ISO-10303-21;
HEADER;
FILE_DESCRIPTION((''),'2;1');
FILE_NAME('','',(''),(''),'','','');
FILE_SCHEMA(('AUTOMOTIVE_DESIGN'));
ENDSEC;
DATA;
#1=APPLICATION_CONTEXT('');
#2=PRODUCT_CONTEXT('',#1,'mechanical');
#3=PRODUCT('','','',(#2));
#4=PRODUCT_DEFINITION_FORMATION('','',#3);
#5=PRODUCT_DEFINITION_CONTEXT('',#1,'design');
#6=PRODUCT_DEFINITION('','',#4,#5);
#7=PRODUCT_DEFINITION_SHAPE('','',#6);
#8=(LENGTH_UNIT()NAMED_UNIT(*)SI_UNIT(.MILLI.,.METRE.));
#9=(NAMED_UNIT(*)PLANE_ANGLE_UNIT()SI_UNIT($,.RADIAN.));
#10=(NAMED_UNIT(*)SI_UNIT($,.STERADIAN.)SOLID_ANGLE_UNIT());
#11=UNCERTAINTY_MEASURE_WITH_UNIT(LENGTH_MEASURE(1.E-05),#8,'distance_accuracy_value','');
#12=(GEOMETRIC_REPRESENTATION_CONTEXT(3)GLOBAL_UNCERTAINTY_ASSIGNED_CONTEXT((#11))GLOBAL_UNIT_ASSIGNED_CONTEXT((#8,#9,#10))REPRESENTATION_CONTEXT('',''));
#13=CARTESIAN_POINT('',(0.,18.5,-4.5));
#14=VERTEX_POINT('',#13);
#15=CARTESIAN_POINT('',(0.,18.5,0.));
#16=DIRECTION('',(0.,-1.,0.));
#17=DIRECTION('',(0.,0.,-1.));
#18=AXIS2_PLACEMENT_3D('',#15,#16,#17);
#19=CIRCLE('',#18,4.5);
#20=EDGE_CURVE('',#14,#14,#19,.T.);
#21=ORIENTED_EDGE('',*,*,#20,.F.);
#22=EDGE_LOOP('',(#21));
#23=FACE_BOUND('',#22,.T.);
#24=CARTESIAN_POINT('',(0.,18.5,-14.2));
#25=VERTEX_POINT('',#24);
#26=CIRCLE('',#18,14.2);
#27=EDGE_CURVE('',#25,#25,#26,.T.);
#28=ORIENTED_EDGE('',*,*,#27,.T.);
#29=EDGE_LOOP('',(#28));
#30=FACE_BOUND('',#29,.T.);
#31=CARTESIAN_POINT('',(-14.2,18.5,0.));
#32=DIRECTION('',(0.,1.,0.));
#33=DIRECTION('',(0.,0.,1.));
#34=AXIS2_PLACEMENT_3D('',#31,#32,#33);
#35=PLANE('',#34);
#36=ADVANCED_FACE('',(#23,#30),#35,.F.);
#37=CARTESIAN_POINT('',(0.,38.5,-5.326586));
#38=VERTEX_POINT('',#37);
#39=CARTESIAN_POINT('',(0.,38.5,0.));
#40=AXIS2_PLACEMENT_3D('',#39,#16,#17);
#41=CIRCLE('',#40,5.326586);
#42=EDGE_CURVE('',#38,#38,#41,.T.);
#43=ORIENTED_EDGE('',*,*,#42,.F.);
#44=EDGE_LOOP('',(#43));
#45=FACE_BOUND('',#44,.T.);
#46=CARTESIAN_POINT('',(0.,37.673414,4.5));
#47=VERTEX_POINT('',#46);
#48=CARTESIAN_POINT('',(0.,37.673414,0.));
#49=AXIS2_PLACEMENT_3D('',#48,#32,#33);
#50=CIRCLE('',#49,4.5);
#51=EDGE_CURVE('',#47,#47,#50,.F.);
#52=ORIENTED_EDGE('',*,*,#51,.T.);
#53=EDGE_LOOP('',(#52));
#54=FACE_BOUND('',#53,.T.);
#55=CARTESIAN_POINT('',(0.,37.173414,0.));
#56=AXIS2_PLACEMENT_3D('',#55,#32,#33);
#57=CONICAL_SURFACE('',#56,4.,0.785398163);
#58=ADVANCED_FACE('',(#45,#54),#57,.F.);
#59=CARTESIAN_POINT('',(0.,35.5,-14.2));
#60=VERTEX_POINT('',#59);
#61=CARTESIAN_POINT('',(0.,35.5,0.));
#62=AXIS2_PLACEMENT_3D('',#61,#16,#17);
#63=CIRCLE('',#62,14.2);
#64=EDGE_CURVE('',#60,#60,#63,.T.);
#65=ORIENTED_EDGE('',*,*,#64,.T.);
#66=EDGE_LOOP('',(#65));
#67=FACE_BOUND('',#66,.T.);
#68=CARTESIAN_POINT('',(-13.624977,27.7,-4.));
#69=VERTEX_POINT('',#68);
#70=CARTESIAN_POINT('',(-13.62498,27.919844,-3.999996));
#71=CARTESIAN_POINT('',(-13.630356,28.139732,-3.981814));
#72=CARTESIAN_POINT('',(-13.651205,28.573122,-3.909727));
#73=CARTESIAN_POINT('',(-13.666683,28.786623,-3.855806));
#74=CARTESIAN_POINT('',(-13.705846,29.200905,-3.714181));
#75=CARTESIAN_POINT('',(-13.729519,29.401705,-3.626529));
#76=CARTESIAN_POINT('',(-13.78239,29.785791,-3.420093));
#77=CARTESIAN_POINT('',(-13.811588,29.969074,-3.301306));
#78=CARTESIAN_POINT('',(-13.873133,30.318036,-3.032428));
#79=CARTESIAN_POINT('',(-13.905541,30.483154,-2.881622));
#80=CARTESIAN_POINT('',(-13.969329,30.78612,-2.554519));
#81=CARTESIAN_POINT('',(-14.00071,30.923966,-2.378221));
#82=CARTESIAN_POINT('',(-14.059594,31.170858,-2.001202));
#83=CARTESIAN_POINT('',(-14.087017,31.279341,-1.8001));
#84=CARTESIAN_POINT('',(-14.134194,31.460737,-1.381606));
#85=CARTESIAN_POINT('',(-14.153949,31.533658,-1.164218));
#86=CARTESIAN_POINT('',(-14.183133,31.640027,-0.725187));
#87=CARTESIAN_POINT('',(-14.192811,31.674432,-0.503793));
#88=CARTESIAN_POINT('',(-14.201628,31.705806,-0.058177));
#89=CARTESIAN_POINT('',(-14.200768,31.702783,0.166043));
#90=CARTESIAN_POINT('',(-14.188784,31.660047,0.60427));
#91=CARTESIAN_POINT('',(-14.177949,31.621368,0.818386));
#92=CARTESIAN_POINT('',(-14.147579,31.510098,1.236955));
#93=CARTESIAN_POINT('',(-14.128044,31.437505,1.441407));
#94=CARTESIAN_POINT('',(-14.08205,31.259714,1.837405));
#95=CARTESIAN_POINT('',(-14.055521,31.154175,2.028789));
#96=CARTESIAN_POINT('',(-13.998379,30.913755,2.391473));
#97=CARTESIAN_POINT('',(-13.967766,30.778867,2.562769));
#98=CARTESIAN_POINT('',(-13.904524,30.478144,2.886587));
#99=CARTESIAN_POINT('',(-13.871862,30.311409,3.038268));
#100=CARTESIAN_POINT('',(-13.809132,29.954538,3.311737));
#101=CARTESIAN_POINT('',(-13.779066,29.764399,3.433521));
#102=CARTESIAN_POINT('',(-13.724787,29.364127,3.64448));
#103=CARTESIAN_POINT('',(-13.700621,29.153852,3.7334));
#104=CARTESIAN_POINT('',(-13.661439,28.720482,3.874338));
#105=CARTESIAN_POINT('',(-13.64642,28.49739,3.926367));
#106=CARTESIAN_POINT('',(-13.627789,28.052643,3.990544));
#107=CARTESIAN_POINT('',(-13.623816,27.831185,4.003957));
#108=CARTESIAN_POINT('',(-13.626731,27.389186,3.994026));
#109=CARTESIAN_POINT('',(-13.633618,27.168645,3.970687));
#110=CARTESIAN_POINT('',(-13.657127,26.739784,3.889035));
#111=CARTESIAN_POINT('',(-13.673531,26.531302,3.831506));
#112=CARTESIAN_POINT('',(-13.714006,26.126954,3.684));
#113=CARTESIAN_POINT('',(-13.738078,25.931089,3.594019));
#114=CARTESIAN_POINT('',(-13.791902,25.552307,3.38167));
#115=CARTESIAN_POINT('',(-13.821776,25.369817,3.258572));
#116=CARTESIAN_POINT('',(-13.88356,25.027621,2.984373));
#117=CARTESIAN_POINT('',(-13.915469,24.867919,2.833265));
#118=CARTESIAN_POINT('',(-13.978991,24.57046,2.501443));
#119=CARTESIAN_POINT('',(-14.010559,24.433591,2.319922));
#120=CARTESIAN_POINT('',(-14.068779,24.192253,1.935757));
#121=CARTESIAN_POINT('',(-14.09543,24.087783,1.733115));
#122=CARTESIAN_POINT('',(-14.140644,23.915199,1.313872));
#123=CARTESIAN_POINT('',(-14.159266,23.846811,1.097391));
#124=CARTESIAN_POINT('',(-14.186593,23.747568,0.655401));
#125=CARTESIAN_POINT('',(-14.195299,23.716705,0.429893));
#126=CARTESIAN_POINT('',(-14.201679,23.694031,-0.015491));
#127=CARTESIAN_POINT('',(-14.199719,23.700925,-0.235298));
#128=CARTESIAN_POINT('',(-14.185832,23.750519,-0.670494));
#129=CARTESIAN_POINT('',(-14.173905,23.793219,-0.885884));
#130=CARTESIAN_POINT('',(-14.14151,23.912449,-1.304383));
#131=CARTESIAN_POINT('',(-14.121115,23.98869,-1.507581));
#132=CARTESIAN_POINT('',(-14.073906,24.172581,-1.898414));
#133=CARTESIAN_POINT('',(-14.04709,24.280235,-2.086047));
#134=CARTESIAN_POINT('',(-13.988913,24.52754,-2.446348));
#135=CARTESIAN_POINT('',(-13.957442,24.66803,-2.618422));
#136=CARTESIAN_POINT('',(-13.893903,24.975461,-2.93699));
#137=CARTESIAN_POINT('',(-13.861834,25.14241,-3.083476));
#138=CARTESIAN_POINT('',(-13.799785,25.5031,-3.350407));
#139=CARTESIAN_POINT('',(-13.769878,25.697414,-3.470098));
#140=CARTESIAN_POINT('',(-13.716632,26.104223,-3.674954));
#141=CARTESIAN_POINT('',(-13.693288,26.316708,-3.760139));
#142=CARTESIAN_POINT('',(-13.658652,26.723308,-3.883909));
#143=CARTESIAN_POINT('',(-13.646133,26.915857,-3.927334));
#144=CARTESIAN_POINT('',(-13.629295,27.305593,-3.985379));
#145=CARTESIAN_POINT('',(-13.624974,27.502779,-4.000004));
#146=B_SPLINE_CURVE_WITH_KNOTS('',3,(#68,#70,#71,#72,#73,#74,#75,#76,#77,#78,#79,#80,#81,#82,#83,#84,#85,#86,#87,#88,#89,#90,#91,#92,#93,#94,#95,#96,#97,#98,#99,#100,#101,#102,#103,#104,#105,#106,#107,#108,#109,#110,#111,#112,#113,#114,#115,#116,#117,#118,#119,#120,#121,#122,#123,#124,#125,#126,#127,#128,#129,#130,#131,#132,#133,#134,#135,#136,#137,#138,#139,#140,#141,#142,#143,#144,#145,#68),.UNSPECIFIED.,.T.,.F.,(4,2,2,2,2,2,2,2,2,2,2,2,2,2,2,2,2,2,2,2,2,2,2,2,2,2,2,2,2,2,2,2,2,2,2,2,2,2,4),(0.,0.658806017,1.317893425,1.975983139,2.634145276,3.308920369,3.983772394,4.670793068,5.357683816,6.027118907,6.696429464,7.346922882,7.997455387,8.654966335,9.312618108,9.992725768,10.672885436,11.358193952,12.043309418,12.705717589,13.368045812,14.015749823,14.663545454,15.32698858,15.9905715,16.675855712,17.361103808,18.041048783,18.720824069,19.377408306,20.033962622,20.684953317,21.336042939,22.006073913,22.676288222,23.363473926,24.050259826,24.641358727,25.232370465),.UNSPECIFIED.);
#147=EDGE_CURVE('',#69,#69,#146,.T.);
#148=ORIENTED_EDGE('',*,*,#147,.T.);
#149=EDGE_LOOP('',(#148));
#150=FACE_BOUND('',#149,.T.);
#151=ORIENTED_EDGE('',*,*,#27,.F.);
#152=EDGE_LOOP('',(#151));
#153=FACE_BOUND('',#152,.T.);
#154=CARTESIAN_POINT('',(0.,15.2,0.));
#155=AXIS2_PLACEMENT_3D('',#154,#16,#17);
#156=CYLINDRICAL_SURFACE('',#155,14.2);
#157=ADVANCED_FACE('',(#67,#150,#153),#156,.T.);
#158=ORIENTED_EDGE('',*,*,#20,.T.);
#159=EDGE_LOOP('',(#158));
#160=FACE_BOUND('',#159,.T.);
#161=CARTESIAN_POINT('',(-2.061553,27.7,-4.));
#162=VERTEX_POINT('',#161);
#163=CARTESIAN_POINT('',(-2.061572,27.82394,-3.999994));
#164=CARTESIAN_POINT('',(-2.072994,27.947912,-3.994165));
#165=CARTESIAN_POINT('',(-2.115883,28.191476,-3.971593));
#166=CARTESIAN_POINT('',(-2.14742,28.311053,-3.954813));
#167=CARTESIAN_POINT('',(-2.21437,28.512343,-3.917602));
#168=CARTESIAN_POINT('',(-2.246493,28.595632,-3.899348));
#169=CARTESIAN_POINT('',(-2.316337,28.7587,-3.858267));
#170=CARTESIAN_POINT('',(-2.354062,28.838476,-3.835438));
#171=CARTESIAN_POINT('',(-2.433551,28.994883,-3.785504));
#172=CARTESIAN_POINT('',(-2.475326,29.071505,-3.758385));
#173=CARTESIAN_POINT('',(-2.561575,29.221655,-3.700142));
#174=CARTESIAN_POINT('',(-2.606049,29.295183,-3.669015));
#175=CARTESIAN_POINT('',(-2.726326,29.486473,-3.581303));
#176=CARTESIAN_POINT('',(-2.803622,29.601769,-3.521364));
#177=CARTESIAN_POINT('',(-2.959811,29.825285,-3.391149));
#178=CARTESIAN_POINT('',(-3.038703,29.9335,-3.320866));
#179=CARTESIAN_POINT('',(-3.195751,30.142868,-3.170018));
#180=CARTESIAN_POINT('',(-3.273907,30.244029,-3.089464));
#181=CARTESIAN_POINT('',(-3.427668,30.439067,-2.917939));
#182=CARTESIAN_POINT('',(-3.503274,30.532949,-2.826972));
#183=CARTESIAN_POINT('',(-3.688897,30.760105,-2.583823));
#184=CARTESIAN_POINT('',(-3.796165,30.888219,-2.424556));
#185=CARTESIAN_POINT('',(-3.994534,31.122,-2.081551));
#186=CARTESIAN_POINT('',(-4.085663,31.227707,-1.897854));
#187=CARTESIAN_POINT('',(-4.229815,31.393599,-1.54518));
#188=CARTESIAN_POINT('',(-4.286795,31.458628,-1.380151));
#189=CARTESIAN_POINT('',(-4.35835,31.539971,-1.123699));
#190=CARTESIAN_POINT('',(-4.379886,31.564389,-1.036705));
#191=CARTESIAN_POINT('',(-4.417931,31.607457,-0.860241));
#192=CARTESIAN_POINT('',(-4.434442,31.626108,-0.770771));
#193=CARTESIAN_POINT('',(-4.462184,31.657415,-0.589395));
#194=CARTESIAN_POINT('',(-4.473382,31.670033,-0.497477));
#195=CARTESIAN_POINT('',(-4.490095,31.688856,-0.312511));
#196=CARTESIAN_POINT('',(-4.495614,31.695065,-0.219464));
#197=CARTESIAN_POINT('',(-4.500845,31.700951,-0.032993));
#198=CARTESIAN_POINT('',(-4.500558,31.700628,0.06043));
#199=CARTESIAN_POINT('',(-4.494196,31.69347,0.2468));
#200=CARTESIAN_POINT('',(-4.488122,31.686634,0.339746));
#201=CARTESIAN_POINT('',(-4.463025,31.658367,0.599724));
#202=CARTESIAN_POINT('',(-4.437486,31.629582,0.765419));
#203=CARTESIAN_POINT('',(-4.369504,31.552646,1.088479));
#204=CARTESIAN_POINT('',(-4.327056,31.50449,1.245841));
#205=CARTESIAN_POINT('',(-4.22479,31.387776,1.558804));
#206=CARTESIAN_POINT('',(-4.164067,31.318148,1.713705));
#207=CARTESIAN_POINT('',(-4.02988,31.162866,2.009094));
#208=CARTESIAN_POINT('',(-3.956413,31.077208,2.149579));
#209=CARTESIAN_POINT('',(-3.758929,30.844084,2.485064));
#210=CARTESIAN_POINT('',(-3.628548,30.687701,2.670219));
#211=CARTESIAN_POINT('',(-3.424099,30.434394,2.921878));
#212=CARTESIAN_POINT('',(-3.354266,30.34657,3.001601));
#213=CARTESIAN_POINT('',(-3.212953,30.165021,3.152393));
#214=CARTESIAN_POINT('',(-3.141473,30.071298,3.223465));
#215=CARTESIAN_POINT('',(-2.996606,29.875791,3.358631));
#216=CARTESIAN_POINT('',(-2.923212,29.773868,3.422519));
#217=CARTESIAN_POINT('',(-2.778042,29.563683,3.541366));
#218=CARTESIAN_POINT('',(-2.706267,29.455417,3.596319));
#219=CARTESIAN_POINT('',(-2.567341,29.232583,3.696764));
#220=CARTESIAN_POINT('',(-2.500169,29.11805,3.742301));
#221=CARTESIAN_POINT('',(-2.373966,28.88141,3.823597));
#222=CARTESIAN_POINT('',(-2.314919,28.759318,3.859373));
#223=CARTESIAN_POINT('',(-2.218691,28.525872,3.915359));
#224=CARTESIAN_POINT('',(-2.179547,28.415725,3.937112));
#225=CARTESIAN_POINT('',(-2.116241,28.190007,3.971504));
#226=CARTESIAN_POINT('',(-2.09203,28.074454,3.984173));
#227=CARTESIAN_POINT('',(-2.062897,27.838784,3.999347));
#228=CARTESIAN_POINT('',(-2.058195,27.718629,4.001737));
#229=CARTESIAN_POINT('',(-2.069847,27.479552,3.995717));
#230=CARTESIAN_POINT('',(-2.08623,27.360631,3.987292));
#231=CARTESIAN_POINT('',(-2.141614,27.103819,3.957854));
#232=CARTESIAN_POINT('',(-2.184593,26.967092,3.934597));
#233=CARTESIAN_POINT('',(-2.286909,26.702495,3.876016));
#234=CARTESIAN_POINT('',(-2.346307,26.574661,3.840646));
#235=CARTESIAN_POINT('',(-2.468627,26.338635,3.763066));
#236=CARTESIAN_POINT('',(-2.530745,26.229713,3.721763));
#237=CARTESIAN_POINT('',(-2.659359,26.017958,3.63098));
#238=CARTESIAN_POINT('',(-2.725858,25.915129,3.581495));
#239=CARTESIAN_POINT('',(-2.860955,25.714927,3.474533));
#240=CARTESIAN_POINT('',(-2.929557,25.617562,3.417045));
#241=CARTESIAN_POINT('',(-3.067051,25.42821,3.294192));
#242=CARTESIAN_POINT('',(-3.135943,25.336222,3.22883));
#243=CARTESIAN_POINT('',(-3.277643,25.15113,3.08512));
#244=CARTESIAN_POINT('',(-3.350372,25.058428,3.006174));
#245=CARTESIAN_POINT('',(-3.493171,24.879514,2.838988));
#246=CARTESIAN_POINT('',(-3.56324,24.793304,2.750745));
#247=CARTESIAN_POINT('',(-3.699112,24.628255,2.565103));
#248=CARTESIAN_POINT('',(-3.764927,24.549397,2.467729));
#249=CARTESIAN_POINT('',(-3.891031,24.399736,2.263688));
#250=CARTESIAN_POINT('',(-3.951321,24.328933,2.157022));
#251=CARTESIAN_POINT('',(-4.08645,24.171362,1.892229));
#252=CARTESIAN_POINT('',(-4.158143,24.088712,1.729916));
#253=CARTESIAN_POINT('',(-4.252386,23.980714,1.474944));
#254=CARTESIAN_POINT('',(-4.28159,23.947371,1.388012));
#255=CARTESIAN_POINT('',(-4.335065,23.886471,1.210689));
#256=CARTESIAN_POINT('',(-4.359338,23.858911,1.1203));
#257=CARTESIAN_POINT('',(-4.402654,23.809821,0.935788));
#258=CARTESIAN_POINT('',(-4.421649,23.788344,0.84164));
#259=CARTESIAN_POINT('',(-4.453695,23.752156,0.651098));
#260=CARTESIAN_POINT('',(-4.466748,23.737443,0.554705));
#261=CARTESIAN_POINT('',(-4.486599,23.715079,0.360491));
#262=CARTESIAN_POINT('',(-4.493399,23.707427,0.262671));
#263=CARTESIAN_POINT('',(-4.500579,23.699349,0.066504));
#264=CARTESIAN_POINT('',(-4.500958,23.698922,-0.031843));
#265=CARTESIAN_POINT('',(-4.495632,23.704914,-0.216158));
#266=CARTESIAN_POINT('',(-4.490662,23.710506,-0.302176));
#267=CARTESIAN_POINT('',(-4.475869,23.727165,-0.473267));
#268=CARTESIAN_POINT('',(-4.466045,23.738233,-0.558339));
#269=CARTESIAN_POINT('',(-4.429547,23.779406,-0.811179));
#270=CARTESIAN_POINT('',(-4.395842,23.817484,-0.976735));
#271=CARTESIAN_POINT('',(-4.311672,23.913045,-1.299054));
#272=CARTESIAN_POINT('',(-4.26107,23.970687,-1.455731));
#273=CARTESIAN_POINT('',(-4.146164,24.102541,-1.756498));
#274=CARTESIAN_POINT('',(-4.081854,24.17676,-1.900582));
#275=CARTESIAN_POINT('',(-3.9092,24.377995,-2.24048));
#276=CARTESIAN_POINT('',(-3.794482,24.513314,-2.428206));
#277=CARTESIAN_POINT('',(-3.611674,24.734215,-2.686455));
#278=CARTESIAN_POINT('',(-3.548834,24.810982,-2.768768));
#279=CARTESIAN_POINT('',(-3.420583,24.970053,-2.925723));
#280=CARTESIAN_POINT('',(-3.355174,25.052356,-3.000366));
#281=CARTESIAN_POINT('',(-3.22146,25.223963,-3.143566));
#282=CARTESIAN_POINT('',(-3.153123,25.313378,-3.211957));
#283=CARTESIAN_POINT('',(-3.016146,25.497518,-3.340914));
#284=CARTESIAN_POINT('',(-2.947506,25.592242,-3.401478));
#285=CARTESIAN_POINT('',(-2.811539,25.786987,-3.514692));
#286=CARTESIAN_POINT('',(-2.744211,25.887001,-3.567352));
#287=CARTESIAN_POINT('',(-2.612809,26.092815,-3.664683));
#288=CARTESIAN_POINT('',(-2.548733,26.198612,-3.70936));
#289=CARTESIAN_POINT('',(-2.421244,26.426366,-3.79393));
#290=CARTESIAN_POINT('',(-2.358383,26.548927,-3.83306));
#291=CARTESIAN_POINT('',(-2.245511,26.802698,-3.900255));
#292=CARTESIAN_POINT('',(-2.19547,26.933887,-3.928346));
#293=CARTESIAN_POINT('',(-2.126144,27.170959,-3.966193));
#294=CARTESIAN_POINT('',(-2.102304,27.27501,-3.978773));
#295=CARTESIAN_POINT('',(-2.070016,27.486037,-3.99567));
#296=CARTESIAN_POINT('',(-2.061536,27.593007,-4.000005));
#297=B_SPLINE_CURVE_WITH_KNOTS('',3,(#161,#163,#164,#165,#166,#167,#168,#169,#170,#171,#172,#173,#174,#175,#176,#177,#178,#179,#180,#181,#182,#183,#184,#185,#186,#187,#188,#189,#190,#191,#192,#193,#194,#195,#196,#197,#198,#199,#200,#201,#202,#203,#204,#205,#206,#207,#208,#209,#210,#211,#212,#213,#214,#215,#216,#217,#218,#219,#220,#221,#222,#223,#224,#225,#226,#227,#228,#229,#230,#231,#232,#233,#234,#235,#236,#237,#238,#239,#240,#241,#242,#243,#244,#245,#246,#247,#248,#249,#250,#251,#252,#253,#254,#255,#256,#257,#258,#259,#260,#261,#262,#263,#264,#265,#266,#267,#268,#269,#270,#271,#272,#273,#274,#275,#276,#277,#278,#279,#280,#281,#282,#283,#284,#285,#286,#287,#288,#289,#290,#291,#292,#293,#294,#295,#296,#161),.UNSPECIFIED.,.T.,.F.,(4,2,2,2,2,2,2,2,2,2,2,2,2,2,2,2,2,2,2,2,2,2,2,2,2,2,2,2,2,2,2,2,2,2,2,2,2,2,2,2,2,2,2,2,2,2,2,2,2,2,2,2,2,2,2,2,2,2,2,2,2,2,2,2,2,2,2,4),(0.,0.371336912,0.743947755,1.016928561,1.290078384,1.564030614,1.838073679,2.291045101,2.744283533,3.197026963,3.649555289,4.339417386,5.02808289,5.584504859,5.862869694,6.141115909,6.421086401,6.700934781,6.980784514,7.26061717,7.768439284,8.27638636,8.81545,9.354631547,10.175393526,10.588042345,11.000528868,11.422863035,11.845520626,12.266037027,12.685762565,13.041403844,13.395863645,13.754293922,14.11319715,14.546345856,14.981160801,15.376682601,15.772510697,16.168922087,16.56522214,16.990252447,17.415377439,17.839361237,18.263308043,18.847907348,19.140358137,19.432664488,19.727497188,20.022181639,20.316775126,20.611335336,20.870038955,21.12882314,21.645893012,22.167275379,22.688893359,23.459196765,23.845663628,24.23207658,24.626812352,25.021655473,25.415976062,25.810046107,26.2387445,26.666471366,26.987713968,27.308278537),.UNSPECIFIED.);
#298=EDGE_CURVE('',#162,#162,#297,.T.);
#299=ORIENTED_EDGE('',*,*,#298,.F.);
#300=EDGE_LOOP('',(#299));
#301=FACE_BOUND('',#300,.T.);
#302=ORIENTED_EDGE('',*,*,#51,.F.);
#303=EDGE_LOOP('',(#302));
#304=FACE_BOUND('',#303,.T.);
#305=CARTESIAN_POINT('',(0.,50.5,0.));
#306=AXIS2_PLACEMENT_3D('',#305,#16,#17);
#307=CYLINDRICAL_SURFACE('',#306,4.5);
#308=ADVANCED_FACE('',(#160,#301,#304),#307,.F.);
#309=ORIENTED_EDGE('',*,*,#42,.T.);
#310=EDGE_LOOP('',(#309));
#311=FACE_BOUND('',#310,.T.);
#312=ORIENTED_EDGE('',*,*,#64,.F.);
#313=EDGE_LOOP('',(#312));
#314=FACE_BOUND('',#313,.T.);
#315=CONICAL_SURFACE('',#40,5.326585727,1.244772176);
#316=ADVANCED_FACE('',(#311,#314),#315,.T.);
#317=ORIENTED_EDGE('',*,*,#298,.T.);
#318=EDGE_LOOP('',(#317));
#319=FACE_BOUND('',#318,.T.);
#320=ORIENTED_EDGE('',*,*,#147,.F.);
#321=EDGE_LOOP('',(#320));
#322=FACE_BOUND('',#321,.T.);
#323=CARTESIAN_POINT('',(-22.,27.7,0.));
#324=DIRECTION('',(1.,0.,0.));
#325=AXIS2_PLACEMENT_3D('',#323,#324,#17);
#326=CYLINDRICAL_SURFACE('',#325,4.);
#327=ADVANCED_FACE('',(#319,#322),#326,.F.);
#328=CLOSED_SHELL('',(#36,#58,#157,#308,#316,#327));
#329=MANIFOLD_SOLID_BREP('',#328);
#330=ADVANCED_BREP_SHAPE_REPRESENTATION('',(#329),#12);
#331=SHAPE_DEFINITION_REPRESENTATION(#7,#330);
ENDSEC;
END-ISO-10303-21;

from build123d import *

# Parameters (mm, degrees)
SKETCH3_R          = 4
CUT_EXTRUDE1_DEPTH = 22
SKETCH4_R          = 4.5
CUT_EXTRUDE2_DEPTH = 32


with BuildPart() as part:
    # Sketch2 → Revolve1 (revolve)
    with BuildSketch(Plane.XY, mode=Mode.PRIVATE) as revolve1_sk:
        Polygon((-14.2, 18.5), (-4, 18.5), (-4, 37.173414273), (-5.326585727, 38.5), (-14.2, 35.5), align=None)
    revolve(revolve1_sk.sketch.rotate(Axis((0, 15.2, 0), (0, 1, 0)), 270), axis=Axis((0, 15.2, 0), (0, 1, 0)))

    # Sketch3 → Cut-Extrude1 (cut)
    with BuildSketch(Plane(origin=(0, 0, 0), x_dir=(0, 0, -1), z_dir=(1, 0, 0))):
        with Locations((0, 27.7)):
            Circle(SKETCH3_R)
    extrude(amount=-CUT_EXTRUDE1_DEPTH, mode=Mode.SUBTRACT)

    # Sketch4 → Cut-Extrude2 (cut)
    with BuildSketch(Plane.XZ.offset(-18.5)):
        with Locations(Location((0, 0, 0), (0, 0, 270))):
            Circle(SKETCH4_R)
    extrude(amount=-CUT_EXTRUDE2_DEPTH, mode=Mode.SUBTRACT)


solid = part.part
